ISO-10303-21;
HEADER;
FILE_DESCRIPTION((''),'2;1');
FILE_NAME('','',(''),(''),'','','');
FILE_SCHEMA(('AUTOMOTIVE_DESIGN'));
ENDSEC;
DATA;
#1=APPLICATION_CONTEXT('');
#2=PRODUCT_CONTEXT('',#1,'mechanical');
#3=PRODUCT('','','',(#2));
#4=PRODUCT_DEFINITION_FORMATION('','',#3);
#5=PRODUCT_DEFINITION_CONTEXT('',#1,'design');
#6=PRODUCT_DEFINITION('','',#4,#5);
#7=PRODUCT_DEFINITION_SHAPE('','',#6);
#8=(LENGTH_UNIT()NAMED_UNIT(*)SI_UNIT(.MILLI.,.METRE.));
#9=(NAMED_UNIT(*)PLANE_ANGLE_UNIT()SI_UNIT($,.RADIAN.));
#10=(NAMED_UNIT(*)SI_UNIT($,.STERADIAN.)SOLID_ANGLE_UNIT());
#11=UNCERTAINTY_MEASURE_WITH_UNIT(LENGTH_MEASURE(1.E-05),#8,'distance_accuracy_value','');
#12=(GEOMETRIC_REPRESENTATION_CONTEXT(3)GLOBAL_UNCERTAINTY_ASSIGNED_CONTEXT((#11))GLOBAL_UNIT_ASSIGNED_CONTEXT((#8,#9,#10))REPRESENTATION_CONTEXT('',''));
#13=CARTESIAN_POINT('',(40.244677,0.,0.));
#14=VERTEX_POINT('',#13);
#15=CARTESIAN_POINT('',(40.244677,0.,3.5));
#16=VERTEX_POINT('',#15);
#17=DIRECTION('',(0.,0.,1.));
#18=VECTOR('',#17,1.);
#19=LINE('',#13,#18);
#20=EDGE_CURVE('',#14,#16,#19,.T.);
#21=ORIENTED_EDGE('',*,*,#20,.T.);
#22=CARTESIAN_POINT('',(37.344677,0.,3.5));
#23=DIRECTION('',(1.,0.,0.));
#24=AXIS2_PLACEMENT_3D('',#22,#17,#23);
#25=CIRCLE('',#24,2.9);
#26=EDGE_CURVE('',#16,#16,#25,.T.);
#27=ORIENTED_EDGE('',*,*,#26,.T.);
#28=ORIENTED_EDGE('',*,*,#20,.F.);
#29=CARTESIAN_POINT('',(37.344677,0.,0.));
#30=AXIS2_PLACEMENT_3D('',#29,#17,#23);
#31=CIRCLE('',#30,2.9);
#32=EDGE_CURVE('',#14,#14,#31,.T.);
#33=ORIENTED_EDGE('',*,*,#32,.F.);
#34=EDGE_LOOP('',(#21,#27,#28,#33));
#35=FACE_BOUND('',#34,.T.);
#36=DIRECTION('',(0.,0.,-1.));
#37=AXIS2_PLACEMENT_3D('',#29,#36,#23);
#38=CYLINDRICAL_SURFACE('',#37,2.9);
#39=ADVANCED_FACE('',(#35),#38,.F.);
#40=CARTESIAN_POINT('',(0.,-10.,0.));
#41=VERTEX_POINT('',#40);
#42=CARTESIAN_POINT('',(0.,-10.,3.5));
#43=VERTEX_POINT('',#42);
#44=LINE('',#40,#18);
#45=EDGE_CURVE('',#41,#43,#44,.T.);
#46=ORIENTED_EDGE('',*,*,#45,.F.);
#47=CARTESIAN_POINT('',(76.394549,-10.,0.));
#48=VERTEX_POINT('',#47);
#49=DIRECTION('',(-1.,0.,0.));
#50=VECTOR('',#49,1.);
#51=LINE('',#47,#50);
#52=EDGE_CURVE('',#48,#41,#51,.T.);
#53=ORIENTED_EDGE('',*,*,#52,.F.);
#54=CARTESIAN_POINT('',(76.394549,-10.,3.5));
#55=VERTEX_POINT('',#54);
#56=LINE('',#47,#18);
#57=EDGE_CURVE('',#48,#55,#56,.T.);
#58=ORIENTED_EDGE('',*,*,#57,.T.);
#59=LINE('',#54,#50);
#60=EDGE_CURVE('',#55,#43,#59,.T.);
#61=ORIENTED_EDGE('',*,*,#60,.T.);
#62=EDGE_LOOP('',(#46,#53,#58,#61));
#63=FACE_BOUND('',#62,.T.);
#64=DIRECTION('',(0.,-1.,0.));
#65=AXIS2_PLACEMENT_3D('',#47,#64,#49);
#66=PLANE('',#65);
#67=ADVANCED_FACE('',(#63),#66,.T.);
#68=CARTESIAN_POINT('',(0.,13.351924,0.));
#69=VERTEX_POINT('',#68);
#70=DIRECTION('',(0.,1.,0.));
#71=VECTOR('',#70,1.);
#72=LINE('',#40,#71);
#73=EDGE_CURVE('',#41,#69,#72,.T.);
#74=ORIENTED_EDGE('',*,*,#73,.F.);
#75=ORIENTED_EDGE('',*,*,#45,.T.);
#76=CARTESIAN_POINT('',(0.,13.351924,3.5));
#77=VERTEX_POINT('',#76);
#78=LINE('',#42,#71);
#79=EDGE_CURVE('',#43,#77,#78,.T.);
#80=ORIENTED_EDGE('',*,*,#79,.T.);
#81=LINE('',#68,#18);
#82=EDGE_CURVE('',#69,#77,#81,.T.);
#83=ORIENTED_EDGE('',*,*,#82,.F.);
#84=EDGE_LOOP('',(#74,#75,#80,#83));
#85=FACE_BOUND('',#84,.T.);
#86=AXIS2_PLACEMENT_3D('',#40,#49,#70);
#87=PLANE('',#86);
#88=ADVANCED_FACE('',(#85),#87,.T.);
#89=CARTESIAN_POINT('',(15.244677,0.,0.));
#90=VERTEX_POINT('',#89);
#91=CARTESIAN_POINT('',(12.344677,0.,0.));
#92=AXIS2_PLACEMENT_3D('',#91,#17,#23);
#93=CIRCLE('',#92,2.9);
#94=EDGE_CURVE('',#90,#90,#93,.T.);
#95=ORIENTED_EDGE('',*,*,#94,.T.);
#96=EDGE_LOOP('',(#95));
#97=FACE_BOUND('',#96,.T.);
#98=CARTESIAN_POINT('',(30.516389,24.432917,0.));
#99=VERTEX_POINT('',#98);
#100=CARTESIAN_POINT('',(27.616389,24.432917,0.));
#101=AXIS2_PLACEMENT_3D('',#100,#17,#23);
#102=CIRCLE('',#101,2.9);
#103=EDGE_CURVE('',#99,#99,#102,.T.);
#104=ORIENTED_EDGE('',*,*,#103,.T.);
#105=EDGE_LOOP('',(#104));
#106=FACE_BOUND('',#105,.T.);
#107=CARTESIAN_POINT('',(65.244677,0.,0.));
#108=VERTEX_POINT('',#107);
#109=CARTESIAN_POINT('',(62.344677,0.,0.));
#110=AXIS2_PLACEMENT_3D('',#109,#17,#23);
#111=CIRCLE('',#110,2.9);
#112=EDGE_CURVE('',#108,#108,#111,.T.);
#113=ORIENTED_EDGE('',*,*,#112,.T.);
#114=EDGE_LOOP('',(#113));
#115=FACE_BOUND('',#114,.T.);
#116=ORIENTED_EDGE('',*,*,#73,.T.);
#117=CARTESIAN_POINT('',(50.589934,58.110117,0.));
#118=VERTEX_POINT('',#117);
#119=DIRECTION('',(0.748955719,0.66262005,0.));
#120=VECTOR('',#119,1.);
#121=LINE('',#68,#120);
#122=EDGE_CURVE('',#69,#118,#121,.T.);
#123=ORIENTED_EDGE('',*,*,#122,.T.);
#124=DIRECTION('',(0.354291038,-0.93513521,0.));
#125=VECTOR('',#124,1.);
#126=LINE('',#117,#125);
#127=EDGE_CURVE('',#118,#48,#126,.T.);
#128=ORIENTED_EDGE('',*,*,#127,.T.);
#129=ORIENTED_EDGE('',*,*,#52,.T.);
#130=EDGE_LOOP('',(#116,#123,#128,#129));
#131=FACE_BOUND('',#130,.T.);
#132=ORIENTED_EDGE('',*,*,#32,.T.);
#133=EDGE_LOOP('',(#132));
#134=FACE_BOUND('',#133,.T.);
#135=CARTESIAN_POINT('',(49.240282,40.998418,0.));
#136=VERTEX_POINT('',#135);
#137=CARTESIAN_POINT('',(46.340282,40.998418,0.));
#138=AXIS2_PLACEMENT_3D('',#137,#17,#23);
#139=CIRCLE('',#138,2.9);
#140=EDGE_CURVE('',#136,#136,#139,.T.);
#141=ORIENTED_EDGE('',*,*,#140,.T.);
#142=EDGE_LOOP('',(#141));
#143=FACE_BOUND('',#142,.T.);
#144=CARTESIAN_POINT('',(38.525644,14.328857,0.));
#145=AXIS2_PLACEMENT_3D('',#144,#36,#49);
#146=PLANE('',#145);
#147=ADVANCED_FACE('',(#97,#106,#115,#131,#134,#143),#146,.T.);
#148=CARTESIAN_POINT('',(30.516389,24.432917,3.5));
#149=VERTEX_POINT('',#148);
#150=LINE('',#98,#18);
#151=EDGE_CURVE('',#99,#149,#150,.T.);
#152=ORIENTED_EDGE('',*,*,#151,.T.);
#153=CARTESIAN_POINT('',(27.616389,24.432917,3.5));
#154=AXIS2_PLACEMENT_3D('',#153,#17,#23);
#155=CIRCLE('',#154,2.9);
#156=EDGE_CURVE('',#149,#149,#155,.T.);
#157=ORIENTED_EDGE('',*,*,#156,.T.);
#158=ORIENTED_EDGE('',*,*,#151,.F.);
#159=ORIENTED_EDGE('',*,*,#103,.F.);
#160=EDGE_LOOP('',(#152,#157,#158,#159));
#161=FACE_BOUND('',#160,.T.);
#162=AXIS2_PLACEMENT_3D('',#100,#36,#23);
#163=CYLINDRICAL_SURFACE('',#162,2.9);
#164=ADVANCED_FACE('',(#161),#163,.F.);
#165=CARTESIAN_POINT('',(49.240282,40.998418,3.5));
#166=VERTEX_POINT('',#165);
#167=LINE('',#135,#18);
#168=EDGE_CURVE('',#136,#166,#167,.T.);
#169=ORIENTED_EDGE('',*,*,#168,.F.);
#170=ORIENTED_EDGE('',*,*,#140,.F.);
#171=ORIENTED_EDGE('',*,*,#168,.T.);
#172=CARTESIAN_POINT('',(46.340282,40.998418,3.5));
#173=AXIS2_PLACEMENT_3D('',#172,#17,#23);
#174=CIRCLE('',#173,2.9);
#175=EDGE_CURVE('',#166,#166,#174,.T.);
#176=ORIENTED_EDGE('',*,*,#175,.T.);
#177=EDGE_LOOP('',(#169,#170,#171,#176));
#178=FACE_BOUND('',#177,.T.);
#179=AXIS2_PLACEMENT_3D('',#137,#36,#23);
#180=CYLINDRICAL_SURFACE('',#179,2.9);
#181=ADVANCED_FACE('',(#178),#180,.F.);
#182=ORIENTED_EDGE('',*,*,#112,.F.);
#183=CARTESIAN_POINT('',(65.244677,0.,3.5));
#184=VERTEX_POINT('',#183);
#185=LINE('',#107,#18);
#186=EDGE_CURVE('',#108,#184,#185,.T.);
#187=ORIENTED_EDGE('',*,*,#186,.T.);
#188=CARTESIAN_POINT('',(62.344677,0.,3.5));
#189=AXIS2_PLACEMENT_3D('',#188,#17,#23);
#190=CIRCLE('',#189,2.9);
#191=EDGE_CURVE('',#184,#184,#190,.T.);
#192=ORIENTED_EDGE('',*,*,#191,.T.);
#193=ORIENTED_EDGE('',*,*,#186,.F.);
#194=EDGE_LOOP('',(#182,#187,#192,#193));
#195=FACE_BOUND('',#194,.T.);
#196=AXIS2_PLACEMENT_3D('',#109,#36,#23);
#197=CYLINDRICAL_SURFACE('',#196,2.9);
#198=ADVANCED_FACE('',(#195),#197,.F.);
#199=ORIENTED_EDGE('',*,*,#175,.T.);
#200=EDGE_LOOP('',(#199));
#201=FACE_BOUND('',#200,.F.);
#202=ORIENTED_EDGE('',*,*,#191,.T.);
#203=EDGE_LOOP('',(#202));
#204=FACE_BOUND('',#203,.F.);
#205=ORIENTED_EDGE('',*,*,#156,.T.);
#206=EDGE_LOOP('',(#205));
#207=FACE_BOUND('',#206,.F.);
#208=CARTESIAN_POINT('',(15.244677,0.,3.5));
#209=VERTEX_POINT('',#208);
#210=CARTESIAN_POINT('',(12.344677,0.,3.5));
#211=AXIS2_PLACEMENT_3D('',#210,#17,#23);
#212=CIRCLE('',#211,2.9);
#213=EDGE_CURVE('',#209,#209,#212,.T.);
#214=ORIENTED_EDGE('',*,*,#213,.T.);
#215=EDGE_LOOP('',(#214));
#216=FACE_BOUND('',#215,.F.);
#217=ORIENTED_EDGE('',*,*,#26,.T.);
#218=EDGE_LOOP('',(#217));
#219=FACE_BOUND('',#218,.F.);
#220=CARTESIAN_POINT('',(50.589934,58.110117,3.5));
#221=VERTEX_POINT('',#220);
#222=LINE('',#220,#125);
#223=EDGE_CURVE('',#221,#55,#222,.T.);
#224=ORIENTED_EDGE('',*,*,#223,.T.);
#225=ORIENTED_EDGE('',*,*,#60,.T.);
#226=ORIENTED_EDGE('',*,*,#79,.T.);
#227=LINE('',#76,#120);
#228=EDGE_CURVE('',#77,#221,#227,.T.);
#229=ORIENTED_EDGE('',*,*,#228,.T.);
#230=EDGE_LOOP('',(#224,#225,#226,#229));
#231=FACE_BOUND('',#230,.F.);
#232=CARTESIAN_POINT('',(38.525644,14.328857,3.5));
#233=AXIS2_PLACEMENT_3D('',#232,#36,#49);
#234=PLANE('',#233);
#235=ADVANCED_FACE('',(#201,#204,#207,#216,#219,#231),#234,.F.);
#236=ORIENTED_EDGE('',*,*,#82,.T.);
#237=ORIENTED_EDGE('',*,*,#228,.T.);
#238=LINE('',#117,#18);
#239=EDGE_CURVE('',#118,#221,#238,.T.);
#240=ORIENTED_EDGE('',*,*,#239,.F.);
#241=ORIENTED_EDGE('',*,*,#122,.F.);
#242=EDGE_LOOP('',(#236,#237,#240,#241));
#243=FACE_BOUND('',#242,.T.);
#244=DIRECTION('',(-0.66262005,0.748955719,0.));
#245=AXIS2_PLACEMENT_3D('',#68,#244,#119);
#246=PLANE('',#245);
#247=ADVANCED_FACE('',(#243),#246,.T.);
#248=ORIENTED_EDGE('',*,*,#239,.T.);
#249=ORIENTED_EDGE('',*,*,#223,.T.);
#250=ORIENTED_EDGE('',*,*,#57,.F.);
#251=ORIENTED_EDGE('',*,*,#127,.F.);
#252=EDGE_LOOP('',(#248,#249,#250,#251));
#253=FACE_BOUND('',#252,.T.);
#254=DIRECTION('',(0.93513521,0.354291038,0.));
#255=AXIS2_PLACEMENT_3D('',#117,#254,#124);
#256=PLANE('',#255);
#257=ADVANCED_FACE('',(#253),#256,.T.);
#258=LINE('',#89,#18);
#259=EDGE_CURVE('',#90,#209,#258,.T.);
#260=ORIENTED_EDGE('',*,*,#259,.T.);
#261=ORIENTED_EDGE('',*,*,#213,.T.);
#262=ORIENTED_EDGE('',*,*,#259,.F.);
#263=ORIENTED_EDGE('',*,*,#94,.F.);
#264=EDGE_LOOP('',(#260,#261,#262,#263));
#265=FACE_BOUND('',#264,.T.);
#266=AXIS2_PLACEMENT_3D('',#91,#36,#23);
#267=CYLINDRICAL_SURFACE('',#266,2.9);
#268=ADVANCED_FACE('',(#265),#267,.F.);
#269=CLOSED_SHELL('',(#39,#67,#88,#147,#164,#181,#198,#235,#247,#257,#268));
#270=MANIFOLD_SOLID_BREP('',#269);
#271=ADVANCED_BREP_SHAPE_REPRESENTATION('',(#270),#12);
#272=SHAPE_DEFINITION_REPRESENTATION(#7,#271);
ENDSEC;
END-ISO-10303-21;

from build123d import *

# Parameters (mm, degrees)
SKETCH_R  = 2.9
PAD_DEPTH = 3.5


with BuildPart() as part:
    # Sketch → Pad (new body)
    with BuildSketch(Plane.XY):
        Polygon((0, -10), (0, 13.351924), (50.589934, 58.110117), (76.394549, -10), align=None)
        with Locations((27.616389, 24.432917)):
            Circle(SKETCH_R, mode=Mode.SUBTRACT)
        with Locations((46.340282, 40.998418)):
            Circle(SKETCH_R, mode=Mode.SUBTRACT)
        with Locations((62.344677, 0)):
            Circle(SKETCH_R, mode=Mode.SUBTRACT)
        with Locations((37.344677, 0)):
            Circle(SKETCH_R, mode=Mode.SUBTRACT)
        with Locations((12.344677, 0)):
            Circle(SKETCH_R, mode=Mode.SUBTRACT)
    extrude(amount=PAD_DEPTH)


solid = part.part
